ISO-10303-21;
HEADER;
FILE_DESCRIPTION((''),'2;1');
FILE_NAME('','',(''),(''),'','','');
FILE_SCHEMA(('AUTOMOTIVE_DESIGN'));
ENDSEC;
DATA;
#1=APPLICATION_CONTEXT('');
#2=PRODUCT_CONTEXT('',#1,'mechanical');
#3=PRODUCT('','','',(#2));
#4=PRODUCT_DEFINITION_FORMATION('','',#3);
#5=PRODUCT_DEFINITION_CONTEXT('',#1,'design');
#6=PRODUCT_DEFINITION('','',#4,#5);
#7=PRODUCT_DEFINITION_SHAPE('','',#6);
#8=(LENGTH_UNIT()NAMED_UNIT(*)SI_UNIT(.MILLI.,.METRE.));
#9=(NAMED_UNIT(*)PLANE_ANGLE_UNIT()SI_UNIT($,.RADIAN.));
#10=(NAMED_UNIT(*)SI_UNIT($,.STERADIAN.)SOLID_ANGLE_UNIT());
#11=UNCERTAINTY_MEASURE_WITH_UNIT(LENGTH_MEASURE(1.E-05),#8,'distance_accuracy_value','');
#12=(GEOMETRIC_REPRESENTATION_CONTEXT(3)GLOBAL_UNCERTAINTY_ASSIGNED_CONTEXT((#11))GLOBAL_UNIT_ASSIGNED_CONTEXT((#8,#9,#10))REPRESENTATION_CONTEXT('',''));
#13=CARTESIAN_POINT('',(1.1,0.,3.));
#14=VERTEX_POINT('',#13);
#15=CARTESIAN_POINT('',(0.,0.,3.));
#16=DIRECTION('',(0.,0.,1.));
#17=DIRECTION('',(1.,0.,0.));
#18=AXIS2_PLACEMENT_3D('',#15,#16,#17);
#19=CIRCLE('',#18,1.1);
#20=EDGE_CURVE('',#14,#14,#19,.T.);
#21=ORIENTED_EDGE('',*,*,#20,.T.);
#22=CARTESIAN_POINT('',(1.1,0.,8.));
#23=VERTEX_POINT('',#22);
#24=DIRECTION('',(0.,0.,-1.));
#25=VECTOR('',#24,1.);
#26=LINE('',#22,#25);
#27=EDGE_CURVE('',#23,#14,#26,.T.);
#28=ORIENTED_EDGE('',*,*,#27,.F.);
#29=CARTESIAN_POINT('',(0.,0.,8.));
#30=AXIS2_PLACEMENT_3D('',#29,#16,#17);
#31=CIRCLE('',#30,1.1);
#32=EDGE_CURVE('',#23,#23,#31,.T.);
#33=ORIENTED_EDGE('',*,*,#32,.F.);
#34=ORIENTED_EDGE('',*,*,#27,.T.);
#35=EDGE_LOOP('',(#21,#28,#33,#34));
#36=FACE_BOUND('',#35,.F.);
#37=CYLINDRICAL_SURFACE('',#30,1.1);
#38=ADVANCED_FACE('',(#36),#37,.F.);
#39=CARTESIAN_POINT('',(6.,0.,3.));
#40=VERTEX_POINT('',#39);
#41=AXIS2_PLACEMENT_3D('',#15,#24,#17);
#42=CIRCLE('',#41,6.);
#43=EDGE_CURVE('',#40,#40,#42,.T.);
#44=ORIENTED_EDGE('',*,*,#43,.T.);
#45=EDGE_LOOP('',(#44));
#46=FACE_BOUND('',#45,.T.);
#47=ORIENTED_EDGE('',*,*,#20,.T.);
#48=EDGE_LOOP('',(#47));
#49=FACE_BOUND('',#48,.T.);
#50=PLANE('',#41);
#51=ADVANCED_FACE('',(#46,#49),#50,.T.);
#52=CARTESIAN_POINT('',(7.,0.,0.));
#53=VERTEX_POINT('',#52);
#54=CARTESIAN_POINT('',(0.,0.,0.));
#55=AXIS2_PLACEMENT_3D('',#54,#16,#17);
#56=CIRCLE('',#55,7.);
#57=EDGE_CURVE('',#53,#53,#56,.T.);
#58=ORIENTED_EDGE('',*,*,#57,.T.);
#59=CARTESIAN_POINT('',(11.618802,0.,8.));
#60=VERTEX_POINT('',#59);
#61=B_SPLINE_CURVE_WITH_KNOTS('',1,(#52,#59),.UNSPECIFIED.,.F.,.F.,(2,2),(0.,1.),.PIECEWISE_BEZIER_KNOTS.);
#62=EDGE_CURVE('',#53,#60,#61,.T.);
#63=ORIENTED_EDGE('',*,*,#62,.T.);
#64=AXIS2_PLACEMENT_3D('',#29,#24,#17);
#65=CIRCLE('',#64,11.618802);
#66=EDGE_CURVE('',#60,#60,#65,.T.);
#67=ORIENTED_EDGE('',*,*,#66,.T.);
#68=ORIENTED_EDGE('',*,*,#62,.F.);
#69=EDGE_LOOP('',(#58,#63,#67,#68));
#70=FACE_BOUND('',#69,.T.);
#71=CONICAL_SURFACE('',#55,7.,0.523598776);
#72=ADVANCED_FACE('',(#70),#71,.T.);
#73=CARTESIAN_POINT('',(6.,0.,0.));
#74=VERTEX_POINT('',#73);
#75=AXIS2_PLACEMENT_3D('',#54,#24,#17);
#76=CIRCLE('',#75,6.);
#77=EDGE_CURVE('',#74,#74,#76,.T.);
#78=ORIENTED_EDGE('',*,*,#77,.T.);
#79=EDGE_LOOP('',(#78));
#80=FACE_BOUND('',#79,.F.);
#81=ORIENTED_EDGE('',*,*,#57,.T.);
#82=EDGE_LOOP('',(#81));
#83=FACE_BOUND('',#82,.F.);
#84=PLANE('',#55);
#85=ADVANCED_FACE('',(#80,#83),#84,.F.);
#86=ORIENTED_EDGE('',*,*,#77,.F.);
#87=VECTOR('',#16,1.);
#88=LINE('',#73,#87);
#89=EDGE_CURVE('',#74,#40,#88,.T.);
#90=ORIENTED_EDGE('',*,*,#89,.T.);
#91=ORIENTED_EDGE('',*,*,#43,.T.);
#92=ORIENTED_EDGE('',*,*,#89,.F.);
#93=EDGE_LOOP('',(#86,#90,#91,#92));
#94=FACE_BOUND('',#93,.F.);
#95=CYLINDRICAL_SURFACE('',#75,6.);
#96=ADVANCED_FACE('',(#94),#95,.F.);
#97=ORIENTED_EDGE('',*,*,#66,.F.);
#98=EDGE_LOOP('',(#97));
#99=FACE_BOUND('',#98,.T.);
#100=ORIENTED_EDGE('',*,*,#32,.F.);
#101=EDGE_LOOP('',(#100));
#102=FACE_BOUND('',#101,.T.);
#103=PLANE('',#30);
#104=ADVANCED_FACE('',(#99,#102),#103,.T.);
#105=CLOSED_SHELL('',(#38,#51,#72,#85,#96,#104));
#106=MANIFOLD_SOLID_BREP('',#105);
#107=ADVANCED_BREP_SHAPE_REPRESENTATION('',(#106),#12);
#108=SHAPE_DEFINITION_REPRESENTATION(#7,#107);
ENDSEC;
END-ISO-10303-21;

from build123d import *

# Parameters (mm, degrees)
F0_R     = 7
F1_DEPTH = 8
F1_TAPER = -30
F2_R     = 6
F3_DEPTH = 3
F4_R     = 1.1
F5_DEPTH = 25


with BuildPart() as f1:
    # F0 (on Top) → F1 (new body)
    with BuildSketch(Plane.XY):
        Circle(F0_R)
    extrude(amount=F1_DEPTH, taper=F1_TAPER)

    # F2 (on face) → F3 (cut)
    with BuildSketch(Plane(origin=(0, 0, 0), x_dir=(1, 0, 0), z_dir=(0, 0, -1))):
        Circle(F2_R)
    extrude(amount=-F3_DEPTH, mode=Mode.SUBTRACT)

    # F4 (on face) → F5 (cut)
    with BuildSketch(Plane.XY.offset(8)):
        Circle(F4_R)
    extrude(amount=-F5_DEPTH, mode=Mode.SUBTRACT)


solid = f1.part
